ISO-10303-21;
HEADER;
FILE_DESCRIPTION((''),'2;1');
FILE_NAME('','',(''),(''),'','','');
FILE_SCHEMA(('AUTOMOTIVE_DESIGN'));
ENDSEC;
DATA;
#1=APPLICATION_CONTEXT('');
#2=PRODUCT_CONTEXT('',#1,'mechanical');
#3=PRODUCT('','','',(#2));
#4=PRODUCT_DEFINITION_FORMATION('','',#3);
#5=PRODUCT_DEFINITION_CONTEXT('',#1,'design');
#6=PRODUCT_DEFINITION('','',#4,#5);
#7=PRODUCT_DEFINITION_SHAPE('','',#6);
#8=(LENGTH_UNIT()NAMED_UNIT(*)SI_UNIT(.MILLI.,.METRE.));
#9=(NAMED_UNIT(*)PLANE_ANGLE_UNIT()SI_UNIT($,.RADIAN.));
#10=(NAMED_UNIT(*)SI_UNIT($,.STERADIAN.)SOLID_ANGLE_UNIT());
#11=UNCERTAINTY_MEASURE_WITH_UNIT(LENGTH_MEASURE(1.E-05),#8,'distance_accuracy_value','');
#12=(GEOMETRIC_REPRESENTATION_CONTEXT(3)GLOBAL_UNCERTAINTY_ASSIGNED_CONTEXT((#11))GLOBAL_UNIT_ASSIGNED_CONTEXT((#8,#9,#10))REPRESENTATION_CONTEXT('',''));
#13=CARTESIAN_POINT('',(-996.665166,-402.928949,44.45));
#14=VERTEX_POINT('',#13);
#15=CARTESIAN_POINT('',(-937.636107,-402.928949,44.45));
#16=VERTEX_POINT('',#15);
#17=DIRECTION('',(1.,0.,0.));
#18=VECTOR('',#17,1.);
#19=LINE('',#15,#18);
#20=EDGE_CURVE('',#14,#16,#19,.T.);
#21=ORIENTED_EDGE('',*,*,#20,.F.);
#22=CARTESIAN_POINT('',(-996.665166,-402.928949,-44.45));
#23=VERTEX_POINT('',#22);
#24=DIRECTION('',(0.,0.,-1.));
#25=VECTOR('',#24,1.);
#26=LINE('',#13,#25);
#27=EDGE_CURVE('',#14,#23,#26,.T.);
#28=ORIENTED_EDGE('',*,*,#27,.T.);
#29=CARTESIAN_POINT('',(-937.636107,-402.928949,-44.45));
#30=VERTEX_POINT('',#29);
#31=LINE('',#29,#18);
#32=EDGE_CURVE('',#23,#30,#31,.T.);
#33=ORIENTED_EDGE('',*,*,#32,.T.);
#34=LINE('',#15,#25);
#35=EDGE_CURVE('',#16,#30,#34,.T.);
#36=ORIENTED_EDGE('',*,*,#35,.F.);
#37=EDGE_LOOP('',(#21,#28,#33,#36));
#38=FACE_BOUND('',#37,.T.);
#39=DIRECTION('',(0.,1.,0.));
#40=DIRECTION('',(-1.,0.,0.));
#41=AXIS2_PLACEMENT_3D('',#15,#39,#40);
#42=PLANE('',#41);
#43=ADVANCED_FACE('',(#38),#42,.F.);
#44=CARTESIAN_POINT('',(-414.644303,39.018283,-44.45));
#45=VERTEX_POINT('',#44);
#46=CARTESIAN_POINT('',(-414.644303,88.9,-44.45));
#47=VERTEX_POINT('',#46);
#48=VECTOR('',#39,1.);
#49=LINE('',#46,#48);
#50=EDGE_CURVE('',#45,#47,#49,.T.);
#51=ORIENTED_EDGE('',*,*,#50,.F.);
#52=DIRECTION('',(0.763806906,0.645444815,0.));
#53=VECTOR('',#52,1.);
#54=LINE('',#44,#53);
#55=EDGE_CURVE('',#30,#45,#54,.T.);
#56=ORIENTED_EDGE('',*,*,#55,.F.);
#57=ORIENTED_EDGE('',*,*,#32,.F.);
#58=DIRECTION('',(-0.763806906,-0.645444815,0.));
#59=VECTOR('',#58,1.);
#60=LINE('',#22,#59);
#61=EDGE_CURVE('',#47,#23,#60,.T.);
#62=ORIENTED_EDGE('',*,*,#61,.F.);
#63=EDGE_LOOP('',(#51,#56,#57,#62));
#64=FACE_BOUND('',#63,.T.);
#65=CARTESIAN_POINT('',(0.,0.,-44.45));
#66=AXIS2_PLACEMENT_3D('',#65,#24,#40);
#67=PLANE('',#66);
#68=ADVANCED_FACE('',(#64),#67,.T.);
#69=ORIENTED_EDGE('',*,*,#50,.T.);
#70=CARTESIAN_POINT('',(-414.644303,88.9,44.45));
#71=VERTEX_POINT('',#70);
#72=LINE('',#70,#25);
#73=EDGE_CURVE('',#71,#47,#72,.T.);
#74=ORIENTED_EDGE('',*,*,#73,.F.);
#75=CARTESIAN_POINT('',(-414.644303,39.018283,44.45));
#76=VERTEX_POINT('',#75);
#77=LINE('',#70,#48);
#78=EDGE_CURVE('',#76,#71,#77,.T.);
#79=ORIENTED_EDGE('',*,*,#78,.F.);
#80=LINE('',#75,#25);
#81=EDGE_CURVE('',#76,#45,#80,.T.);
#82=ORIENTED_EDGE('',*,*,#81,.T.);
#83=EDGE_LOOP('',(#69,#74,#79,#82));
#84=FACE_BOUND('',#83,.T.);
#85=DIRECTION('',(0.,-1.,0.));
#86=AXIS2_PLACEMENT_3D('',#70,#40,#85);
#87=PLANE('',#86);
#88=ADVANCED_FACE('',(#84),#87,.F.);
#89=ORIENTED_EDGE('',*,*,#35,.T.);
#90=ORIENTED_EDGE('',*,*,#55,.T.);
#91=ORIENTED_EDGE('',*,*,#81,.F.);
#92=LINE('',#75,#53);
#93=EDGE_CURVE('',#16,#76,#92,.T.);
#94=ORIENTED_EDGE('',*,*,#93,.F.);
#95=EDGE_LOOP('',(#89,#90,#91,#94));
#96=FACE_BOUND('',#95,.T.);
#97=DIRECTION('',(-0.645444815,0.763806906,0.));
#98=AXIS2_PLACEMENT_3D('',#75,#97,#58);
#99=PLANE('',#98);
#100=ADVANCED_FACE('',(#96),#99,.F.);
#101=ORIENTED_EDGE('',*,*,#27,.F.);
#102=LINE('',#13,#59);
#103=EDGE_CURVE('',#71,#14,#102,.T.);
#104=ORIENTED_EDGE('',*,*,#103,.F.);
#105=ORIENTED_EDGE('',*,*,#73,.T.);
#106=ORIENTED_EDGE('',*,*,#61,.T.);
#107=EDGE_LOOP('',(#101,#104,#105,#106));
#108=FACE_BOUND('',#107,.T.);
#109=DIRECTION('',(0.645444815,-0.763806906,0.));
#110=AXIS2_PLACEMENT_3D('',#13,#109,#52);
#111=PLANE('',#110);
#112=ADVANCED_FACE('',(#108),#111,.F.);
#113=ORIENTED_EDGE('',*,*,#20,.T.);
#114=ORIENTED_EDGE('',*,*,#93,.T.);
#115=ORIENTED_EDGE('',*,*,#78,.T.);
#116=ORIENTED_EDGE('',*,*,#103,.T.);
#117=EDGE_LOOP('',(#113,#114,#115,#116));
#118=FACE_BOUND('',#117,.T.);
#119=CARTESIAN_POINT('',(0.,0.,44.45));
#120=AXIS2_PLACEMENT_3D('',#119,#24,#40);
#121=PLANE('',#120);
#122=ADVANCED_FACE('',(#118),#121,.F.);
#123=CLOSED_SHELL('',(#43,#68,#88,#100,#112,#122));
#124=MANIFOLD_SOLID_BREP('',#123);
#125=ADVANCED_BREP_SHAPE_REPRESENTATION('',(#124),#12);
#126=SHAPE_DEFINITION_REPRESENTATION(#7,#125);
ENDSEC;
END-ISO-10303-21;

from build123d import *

# Parameters (mm, degrees)
BOSS_EXTRUDE1_DEPTH = 44.45


with BuildPart() as part:
    # Sketch1 → Boss-Extrude1 (new, symmetric)
    with BuildSketch(Plane.XY):
        Polygon((-414.644303086, 88.9), (-414.644303078, 39.018282941), (-937.636106933, -402.928949297), (-996.665165799, -402.928949297), align=None)
    extrude(amount=BOSS_EXTRUDE1_DEPTH, both=True)


solid = part.part
